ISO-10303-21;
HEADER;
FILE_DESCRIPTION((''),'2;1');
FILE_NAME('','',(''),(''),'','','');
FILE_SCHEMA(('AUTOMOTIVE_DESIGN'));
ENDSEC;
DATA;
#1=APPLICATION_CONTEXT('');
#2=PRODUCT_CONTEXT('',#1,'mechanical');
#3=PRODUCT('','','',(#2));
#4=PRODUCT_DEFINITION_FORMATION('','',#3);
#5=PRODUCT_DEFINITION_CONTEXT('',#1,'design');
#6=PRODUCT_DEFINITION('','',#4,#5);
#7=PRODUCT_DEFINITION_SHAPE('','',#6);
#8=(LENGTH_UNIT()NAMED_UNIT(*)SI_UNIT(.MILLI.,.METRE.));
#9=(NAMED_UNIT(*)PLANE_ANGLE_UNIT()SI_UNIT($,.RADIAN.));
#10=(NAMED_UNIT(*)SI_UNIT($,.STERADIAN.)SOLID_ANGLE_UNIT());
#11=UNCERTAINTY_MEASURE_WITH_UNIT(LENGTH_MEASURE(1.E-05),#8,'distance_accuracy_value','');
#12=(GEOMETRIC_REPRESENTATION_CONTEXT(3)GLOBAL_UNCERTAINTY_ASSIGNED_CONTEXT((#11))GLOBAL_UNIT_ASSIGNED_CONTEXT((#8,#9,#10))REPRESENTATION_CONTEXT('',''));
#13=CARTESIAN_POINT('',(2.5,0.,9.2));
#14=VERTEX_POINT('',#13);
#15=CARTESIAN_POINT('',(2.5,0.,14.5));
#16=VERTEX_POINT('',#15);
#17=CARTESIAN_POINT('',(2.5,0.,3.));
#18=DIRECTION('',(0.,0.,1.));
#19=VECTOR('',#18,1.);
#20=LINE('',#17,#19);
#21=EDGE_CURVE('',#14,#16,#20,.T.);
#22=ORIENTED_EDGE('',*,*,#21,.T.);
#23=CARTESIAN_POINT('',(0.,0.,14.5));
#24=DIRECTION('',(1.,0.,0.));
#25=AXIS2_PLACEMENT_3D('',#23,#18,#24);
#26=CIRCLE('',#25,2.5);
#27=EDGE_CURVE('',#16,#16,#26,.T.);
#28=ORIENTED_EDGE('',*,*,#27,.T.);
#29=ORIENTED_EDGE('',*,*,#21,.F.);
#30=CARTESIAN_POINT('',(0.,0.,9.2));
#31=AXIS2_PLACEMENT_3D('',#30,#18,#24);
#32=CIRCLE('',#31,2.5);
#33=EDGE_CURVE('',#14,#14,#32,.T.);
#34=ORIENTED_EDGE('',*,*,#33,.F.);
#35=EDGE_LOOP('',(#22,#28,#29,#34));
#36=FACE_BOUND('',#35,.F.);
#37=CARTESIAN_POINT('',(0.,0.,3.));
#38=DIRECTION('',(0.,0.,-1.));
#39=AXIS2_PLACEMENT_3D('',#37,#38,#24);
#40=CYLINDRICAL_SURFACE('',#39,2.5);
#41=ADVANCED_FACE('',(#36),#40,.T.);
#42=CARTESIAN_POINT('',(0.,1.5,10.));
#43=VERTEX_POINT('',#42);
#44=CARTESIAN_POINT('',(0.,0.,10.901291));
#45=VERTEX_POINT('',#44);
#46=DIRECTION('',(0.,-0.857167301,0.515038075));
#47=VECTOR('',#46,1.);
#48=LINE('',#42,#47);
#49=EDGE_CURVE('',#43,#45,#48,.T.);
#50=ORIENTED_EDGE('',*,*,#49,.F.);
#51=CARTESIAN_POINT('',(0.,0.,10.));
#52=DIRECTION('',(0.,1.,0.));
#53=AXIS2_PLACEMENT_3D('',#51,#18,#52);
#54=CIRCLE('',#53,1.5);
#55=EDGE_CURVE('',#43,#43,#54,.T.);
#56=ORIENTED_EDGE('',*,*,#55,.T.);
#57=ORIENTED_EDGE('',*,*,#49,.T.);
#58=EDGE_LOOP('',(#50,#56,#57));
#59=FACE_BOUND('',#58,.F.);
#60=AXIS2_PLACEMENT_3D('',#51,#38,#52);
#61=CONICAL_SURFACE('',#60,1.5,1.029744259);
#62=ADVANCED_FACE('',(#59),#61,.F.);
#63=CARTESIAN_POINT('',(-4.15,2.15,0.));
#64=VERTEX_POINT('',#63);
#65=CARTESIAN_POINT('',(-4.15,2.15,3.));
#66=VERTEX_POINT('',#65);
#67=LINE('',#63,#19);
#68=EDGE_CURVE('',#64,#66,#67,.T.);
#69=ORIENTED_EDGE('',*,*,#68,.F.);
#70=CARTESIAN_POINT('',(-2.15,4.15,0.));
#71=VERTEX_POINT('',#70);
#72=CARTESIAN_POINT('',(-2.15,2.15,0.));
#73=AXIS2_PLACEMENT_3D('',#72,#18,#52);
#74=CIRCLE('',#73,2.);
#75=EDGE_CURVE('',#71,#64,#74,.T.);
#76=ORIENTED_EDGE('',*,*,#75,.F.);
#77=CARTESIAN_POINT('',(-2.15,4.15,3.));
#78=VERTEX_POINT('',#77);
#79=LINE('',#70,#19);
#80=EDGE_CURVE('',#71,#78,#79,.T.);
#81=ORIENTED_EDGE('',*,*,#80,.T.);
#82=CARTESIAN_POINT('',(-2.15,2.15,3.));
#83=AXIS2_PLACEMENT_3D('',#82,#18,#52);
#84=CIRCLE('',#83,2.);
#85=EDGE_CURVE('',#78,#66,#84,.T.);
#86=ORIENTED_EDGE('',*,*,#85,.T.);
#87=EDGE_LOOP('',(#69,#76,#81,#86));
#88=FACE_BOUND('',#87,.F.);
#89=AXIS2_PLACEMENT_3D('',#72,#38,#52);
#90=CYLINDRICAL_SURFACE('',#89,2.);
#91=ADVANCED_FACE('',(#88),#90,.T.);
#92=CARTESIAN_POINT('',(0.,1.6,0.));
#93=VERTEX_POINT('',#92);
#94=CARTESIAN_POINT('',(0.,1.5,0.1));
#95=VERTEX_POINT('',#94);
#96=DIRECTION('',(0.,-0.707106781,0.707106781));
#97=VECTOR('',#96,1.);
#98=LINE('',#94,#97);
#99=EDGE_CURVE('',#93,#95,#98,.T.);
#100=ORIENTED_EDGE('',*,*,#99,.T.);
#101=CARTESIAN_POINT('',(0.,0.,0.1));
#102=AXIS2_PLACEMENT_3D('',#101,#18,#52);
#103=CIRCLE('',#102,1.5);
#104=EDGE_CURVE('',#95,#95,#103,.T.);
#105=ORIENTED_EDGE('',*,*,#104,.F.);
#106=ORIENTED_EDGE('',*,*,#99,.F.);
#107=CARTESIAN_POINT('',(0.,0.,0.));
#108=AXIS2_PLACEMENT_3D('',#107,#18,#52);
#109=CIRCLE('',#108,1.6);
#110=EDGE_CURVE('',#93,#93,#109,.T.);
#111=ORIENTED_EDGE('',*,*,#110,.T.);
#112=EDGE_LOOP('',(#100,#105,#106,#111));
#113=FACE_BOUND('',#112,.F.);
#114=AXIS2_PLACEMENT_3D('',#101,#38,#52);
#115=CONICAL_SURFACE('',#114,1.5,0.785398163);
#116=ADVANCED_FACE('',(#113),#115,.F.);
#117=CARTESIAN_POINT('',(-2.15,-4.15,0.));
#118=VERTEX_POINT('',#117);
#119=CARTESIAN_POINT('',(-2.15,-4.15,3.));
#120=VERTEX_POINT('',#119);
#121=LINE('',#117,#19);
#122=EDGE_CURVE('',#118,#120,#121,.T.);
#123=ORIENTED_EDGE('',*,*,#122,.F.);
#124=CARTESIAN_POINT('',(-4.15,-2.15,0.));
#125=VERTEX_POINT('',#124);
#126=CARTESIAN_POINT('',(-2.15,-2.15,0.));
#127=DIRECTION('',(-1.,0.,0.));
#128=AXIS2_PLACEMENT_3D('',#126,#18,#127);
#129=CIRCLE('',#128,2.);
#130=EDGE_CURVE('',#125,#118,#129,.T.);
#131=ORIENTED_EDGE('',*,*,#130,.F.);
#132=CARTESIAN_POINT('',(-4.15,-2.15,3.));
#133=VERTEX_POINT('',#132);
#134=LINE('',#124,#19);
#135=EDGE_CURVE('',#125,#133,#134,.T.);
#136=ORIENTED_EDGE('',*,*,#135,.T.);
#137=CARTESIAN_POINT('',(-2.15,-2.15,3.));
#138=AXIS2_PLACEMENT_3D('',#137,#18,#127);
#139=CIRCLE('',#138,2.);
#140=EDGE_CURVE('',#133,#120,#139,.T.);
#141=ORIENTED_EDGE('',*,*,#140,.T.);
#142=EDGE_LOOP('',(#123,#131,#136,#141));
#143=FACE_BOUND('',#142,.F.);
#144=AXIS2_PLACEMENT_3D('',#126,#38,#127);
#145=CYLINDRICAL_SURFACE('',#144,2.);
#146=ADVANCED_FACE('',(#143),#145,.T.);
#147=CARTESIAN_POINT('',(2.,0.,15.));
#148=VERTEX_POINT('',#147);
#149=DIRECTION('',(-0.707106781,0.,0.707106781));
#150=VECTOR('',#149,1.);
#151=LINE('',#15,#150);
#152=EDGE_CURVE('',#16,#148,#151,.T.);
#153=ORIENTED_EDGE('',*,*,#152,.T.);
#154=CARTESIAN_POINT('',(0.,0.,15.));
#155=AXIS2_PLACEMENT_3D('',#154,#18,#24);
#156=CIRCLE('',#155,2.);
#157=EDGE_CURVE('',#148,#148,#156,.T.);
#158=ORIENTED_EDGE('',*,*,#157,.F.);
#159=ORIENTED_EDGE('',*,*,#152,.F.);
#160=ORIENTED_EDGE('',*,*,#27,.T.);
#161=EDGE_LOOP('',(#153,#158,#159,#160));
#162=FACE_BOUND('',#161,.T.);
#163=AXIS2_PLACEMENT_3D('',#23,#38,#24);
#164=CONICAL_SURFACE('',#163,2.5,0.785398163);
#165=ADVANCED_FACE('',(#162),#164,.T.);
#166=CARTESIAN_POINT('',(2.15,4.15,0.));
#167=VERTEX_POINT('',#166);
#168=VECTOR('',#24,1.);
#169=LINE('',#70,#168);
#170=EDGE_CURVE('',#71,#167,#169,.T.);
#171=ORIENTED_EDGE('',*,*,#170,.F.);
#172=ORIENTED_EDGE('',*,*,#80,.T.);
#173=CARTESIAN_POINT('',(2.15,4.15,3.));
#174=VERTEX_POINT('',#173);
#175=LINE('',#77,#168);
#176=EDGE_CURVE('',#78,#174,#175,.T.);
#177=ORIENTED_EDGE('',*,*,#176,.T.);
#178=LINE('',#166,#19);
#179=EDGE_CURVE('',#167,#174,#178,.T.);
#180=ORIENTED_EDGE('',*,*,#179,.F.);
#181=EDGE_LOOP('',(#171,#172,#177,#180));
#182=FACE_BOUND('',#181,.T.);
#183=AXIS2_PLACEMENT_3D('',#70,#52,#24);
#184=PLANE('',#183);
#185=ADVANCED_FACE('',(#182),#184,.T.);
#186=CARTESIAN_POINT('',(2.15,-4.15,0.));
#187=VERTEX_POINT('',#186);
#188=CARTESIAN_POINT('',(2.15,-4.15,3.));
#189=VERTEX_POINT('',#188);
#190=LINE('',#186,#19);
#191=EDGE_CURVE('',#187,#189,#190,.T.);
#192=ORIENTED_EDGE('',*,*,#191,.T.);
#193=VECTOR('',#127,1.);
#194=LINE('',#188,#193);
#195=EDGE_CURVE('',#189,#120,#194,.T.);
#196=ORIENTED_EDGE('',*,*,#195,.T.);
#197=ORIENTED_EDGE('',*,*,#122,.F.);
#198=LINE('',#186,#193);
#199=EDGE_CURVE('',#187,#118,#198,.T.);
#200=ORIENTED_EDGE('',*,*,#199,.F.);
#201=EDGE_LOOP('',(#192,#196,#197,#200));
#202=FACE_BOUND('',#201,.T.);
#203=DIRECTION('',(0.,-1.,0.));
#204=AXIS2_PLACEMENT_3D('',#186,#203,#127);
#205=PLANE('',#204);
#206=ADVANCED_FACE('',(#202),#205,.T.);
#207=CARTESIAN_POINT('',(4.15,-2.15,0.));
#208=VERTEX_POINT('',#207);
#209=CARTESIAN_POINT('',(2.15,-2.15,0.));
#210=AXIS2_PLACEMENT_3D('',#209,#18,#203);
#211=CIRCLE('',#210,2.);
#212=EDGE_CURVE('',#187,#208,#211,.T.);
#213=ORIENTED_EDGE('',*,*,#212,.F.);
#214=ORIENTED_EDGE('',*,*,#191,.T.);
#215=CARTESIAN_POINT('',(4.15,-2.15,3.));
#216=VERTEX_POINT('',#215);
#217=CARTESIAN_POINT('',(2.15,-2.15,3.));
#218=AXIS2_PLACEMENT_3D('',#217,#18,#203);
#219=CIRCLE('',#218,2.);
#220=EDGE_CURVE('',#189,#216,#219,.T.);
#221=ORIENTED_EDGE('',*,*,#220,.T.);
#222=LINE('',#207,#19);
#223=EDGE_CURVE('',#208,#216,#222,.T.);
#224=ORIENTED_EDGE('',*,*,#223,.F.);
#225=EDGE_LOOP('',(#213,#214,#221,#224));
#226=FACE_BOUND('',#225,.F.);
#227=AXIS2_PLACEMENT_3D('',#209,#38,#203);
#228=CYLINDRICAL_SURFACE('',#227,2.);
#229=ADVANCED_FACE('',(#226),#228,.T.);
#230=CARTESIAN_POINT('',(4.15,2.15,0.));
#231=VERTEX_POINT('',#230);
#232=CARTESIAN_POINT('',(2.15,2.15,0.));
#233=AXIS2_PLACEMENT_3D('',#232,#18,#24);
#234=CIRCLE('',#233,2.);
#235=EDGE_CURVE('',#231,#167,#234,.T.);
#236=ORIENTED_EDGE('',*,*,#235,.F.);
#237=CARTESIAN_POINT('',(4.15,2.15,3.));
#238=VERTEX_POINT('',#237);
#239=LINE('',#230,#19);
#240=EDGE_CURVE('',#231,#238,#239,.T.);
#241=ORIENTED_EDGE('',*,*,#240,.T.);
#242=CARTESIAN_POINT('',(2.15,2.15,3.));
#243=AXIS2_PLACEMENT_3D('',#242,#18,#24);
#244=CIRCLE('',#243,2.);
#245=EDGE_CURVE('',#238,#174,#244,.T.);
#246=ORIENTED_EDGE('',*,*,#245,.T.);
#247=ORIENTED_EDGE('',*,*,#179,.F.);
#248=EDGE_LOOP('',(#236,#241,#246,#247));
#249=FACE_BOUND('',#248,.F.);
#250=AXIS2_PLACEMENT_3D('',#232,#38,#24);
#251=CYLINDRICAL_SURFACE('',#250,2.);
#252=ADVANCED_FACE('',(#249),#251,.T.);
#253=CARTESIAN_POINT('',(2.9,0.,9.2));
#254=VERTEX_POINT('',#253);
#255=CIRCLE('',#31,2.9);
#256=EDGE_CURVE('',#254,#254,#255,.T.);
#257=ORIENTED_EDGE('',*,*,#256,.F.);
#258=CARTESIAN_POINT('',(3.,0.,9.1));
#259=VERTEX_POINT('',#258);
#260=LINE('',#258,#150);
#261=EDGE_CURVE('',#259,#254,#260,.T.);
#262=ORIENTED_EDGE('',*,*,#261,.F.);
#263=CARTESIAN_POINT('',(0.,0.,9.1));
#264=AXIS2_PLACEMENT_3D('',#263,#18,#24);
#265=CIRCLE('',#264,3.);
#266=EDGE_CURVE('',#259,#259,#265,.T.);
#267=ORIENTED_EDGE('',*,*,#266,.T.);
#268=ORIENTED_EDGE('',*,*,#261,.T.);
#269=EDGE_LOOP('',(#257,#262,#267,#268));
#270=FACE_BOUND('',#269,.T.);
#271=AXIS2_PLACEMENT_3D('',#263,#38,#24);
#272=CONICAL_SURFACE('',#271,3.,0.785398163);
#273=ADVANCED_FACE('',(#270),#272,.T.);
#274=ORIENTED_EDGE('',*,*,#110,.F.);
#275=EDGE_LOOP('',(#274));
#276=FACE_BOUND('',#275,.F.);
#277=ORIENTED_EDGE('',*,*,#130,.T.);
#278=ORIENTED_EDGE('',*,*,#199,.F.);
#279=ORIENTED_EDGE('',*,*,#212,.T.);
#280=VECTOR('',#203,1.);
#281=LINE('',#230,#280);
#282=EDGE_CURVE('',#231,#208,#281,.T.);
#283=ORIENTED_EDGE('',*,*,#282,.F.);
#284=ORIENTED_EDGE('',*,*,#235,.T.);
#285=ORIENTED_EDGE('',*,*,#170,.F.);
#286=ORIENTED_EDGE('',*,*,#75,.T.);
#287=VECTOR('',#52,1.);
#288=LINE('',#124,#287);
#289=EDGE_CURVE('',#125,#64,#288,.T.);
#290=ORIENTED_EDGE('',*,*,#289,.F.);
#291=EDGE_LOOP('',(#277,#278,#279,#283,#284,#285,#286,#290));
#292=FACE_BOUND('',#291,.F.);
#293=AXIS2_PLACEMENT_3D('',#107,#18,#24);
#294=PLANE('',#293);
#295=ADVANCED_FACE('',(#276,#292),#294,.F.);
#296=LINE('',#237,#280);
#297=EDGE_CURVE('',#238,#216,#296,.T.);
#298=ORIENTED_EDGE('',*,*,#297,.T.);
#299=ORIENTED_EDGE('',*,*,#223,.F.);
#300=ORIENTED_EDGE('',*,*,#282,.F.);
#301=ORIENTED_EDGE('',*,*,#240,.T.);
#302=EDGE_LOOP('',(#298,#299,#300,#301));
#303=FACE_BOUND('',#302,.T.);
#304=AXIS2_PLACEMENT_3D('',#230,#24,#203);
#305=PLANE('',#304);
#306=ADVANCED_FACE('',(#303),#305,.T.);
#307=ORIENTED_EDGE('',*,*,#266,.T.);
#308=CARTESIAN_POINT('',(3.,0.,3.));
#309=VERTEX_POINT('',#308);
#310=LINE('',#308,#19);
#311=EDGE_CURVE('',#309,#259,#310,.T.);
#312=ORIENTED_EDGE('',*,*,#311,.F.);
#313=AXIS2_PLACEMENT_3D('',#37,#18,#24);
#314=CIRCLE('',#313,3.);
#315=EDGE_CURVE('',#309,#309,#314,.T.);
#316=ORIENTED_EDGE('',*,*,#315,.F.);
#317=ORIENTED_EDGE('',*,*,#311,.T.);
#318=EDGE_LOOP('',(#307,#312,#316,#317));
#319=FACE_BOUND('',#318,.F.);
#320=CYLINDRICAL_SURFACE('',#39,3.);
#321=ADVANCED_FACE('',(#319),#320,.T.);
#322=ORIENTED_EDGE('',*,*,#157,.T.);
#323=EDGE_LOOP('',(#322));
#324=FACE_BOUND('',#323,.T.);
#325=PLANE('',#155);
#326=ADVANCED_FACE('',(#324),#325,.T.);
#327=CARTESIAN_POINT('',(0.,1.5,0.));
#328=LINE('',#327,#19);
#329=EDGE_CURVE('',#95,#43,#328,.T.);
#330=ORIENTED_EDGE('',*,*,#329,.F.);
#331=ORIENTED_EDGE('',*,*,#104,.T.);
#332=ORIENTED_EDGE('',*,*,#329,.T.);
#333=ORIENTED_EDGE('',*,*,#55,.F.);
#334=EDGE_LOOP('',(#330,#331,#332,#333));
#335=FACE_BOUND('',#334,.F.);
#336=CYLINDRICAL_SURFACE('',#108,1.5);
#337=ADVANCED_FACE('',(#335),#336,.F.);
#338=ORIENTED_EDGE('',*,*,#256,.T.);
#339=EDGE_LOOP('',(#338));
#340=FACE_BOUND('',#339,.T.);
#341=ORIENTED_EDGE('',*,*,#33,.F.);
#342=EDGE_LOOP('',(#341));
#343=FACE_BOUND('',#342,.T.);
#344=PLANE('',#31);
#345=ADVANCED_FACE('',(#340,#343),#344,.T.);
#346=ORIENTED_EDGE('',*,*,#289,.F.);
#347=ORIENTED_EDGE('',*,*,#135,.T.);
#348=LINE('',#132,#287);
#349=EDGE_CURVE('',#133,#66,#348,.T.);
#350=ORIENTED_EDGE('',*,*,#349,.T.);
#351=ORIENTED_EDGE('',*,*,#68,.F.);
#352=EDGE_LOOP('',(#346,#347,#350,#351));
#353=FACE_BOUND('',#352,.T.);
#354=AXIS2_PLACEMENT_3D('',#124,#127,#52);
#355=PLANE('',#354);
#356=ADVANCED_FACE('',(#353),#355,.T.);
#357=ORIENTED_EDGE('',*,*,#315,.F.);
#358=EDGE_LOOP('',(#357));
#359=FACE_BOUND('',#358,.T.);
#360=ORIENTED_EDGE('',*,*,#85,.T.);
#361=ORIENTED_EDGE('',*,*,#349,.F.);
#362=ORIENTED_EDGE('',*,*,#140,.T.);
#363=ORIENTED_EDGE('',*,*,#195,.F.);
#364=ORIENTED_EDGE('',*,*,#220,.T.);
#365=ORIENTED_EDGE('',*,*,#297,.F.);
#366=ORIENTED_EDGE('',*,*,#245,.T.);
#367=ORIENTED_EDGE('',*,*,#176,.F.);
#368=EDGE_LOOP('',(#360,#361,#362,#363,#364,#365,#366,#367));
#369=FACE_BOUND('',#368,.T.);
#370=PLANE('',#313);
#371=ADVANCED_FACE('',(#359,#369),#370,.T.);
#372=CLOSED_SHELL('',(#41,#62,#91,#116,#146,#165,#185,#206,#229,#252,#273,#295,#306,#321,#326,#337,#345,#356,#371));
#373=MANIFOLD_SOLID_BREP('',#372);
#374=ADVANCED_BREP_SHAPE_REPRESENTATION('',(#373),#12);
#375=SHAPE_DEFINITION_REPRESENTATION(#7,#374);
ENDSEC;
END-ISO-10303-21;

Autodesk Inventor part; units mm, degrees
ref_plane "YZ Plane" through (0, 0, 0) normal (1, 0, 0) x (0, 1, 0)
ref_plane "XZ Plane" through (0, 0, 0) normal (0, 1, 0) x (-1, 0, 0)
ref_plane "XY Plane" through (0, 0, 0) normal (0, 0, 1) x (1, 0, 0)
sketch "Skizze1" plane through (0, 0, 0) normal (0, 0, 1) x (1, 0, 0)
  line L0 (-2.15, 4.15) -> (2.15, 4.15)
  line L1 (4.15, 2.15) -> (4.15, -2.15)
  line L2 (2.15, -4.15) -> (-2.15, -4.15)
  line L3 (-4.15, -2.15) -> (-4.15, 2.15)
  arc A0 (-2.15, 4.15) -> (-4.15, 2.15) centre (-2.15, 2.15) ccw
  arc A1 (4.15, 2.15) -> (2.15, 4.15) centre (2.15, 2.15) ccw
  arc A2 (2.15, -4.15) -> (4.15, -2.15) centre (2.15, -2.15) ccw
  arc A3 (-4.15, -2.15) -> (-2.15, -4.15) centre (-2.15, -2.15) ccw
  line L4 (-2.15, 2.15) -> (2.15, -2.15) construction
  line L5 (2.15, 2.15) -> (-2.15, -2.15) construction
  point P0 (0, 0)
  dimension "d0" = 2
  dimension "d1" = 8.3
extrude "Extrusion1" add sketch "Skizze1" along normal blind 3
sketch "Skizze2" plane through (0, 0, 3) normal (0, 0, 1) x (1, 0, 0)
  circle A0 centre (0, 0) radius 2.5
  circle A1 centre (0, 0) radius 3
  dimension "d4" = 5
  dimension "d22" = 6
extrude "Extrusion2" add sketch "Skizze2" along normal blind 12 contours A0
chamfer "Fase1" distance 0.5 angle 45 1 edges at (-2.5, 0, 15)
thread "Gewinde2" size "M5x0.8" class "6g" standard "ISO Metric profile" length 4.5
extrude "Extrusion3" add sketch "Skizze2" along normal blind 6.2
sketch "Skizze4" plane through (0, 0, 0) normal (0, 0, -1) x (-1, 0, 0)
  point P0 (0, 0)
  point P1 (0, 0)
hole "Bohrung2" [suppressed]
hole "Bohrung3" at (0, 0, 0) direction (0, 0, 1) diameter 3 depth 10 tip angle 118
chamfer "Fasen2" distance 0.1 angle 45 2 edges at (-3, 0, 9.2) (0, -1.5, 0)
chamfer "Fasen3" [suppressed]
properties part number "RadadapterCLOSED"
